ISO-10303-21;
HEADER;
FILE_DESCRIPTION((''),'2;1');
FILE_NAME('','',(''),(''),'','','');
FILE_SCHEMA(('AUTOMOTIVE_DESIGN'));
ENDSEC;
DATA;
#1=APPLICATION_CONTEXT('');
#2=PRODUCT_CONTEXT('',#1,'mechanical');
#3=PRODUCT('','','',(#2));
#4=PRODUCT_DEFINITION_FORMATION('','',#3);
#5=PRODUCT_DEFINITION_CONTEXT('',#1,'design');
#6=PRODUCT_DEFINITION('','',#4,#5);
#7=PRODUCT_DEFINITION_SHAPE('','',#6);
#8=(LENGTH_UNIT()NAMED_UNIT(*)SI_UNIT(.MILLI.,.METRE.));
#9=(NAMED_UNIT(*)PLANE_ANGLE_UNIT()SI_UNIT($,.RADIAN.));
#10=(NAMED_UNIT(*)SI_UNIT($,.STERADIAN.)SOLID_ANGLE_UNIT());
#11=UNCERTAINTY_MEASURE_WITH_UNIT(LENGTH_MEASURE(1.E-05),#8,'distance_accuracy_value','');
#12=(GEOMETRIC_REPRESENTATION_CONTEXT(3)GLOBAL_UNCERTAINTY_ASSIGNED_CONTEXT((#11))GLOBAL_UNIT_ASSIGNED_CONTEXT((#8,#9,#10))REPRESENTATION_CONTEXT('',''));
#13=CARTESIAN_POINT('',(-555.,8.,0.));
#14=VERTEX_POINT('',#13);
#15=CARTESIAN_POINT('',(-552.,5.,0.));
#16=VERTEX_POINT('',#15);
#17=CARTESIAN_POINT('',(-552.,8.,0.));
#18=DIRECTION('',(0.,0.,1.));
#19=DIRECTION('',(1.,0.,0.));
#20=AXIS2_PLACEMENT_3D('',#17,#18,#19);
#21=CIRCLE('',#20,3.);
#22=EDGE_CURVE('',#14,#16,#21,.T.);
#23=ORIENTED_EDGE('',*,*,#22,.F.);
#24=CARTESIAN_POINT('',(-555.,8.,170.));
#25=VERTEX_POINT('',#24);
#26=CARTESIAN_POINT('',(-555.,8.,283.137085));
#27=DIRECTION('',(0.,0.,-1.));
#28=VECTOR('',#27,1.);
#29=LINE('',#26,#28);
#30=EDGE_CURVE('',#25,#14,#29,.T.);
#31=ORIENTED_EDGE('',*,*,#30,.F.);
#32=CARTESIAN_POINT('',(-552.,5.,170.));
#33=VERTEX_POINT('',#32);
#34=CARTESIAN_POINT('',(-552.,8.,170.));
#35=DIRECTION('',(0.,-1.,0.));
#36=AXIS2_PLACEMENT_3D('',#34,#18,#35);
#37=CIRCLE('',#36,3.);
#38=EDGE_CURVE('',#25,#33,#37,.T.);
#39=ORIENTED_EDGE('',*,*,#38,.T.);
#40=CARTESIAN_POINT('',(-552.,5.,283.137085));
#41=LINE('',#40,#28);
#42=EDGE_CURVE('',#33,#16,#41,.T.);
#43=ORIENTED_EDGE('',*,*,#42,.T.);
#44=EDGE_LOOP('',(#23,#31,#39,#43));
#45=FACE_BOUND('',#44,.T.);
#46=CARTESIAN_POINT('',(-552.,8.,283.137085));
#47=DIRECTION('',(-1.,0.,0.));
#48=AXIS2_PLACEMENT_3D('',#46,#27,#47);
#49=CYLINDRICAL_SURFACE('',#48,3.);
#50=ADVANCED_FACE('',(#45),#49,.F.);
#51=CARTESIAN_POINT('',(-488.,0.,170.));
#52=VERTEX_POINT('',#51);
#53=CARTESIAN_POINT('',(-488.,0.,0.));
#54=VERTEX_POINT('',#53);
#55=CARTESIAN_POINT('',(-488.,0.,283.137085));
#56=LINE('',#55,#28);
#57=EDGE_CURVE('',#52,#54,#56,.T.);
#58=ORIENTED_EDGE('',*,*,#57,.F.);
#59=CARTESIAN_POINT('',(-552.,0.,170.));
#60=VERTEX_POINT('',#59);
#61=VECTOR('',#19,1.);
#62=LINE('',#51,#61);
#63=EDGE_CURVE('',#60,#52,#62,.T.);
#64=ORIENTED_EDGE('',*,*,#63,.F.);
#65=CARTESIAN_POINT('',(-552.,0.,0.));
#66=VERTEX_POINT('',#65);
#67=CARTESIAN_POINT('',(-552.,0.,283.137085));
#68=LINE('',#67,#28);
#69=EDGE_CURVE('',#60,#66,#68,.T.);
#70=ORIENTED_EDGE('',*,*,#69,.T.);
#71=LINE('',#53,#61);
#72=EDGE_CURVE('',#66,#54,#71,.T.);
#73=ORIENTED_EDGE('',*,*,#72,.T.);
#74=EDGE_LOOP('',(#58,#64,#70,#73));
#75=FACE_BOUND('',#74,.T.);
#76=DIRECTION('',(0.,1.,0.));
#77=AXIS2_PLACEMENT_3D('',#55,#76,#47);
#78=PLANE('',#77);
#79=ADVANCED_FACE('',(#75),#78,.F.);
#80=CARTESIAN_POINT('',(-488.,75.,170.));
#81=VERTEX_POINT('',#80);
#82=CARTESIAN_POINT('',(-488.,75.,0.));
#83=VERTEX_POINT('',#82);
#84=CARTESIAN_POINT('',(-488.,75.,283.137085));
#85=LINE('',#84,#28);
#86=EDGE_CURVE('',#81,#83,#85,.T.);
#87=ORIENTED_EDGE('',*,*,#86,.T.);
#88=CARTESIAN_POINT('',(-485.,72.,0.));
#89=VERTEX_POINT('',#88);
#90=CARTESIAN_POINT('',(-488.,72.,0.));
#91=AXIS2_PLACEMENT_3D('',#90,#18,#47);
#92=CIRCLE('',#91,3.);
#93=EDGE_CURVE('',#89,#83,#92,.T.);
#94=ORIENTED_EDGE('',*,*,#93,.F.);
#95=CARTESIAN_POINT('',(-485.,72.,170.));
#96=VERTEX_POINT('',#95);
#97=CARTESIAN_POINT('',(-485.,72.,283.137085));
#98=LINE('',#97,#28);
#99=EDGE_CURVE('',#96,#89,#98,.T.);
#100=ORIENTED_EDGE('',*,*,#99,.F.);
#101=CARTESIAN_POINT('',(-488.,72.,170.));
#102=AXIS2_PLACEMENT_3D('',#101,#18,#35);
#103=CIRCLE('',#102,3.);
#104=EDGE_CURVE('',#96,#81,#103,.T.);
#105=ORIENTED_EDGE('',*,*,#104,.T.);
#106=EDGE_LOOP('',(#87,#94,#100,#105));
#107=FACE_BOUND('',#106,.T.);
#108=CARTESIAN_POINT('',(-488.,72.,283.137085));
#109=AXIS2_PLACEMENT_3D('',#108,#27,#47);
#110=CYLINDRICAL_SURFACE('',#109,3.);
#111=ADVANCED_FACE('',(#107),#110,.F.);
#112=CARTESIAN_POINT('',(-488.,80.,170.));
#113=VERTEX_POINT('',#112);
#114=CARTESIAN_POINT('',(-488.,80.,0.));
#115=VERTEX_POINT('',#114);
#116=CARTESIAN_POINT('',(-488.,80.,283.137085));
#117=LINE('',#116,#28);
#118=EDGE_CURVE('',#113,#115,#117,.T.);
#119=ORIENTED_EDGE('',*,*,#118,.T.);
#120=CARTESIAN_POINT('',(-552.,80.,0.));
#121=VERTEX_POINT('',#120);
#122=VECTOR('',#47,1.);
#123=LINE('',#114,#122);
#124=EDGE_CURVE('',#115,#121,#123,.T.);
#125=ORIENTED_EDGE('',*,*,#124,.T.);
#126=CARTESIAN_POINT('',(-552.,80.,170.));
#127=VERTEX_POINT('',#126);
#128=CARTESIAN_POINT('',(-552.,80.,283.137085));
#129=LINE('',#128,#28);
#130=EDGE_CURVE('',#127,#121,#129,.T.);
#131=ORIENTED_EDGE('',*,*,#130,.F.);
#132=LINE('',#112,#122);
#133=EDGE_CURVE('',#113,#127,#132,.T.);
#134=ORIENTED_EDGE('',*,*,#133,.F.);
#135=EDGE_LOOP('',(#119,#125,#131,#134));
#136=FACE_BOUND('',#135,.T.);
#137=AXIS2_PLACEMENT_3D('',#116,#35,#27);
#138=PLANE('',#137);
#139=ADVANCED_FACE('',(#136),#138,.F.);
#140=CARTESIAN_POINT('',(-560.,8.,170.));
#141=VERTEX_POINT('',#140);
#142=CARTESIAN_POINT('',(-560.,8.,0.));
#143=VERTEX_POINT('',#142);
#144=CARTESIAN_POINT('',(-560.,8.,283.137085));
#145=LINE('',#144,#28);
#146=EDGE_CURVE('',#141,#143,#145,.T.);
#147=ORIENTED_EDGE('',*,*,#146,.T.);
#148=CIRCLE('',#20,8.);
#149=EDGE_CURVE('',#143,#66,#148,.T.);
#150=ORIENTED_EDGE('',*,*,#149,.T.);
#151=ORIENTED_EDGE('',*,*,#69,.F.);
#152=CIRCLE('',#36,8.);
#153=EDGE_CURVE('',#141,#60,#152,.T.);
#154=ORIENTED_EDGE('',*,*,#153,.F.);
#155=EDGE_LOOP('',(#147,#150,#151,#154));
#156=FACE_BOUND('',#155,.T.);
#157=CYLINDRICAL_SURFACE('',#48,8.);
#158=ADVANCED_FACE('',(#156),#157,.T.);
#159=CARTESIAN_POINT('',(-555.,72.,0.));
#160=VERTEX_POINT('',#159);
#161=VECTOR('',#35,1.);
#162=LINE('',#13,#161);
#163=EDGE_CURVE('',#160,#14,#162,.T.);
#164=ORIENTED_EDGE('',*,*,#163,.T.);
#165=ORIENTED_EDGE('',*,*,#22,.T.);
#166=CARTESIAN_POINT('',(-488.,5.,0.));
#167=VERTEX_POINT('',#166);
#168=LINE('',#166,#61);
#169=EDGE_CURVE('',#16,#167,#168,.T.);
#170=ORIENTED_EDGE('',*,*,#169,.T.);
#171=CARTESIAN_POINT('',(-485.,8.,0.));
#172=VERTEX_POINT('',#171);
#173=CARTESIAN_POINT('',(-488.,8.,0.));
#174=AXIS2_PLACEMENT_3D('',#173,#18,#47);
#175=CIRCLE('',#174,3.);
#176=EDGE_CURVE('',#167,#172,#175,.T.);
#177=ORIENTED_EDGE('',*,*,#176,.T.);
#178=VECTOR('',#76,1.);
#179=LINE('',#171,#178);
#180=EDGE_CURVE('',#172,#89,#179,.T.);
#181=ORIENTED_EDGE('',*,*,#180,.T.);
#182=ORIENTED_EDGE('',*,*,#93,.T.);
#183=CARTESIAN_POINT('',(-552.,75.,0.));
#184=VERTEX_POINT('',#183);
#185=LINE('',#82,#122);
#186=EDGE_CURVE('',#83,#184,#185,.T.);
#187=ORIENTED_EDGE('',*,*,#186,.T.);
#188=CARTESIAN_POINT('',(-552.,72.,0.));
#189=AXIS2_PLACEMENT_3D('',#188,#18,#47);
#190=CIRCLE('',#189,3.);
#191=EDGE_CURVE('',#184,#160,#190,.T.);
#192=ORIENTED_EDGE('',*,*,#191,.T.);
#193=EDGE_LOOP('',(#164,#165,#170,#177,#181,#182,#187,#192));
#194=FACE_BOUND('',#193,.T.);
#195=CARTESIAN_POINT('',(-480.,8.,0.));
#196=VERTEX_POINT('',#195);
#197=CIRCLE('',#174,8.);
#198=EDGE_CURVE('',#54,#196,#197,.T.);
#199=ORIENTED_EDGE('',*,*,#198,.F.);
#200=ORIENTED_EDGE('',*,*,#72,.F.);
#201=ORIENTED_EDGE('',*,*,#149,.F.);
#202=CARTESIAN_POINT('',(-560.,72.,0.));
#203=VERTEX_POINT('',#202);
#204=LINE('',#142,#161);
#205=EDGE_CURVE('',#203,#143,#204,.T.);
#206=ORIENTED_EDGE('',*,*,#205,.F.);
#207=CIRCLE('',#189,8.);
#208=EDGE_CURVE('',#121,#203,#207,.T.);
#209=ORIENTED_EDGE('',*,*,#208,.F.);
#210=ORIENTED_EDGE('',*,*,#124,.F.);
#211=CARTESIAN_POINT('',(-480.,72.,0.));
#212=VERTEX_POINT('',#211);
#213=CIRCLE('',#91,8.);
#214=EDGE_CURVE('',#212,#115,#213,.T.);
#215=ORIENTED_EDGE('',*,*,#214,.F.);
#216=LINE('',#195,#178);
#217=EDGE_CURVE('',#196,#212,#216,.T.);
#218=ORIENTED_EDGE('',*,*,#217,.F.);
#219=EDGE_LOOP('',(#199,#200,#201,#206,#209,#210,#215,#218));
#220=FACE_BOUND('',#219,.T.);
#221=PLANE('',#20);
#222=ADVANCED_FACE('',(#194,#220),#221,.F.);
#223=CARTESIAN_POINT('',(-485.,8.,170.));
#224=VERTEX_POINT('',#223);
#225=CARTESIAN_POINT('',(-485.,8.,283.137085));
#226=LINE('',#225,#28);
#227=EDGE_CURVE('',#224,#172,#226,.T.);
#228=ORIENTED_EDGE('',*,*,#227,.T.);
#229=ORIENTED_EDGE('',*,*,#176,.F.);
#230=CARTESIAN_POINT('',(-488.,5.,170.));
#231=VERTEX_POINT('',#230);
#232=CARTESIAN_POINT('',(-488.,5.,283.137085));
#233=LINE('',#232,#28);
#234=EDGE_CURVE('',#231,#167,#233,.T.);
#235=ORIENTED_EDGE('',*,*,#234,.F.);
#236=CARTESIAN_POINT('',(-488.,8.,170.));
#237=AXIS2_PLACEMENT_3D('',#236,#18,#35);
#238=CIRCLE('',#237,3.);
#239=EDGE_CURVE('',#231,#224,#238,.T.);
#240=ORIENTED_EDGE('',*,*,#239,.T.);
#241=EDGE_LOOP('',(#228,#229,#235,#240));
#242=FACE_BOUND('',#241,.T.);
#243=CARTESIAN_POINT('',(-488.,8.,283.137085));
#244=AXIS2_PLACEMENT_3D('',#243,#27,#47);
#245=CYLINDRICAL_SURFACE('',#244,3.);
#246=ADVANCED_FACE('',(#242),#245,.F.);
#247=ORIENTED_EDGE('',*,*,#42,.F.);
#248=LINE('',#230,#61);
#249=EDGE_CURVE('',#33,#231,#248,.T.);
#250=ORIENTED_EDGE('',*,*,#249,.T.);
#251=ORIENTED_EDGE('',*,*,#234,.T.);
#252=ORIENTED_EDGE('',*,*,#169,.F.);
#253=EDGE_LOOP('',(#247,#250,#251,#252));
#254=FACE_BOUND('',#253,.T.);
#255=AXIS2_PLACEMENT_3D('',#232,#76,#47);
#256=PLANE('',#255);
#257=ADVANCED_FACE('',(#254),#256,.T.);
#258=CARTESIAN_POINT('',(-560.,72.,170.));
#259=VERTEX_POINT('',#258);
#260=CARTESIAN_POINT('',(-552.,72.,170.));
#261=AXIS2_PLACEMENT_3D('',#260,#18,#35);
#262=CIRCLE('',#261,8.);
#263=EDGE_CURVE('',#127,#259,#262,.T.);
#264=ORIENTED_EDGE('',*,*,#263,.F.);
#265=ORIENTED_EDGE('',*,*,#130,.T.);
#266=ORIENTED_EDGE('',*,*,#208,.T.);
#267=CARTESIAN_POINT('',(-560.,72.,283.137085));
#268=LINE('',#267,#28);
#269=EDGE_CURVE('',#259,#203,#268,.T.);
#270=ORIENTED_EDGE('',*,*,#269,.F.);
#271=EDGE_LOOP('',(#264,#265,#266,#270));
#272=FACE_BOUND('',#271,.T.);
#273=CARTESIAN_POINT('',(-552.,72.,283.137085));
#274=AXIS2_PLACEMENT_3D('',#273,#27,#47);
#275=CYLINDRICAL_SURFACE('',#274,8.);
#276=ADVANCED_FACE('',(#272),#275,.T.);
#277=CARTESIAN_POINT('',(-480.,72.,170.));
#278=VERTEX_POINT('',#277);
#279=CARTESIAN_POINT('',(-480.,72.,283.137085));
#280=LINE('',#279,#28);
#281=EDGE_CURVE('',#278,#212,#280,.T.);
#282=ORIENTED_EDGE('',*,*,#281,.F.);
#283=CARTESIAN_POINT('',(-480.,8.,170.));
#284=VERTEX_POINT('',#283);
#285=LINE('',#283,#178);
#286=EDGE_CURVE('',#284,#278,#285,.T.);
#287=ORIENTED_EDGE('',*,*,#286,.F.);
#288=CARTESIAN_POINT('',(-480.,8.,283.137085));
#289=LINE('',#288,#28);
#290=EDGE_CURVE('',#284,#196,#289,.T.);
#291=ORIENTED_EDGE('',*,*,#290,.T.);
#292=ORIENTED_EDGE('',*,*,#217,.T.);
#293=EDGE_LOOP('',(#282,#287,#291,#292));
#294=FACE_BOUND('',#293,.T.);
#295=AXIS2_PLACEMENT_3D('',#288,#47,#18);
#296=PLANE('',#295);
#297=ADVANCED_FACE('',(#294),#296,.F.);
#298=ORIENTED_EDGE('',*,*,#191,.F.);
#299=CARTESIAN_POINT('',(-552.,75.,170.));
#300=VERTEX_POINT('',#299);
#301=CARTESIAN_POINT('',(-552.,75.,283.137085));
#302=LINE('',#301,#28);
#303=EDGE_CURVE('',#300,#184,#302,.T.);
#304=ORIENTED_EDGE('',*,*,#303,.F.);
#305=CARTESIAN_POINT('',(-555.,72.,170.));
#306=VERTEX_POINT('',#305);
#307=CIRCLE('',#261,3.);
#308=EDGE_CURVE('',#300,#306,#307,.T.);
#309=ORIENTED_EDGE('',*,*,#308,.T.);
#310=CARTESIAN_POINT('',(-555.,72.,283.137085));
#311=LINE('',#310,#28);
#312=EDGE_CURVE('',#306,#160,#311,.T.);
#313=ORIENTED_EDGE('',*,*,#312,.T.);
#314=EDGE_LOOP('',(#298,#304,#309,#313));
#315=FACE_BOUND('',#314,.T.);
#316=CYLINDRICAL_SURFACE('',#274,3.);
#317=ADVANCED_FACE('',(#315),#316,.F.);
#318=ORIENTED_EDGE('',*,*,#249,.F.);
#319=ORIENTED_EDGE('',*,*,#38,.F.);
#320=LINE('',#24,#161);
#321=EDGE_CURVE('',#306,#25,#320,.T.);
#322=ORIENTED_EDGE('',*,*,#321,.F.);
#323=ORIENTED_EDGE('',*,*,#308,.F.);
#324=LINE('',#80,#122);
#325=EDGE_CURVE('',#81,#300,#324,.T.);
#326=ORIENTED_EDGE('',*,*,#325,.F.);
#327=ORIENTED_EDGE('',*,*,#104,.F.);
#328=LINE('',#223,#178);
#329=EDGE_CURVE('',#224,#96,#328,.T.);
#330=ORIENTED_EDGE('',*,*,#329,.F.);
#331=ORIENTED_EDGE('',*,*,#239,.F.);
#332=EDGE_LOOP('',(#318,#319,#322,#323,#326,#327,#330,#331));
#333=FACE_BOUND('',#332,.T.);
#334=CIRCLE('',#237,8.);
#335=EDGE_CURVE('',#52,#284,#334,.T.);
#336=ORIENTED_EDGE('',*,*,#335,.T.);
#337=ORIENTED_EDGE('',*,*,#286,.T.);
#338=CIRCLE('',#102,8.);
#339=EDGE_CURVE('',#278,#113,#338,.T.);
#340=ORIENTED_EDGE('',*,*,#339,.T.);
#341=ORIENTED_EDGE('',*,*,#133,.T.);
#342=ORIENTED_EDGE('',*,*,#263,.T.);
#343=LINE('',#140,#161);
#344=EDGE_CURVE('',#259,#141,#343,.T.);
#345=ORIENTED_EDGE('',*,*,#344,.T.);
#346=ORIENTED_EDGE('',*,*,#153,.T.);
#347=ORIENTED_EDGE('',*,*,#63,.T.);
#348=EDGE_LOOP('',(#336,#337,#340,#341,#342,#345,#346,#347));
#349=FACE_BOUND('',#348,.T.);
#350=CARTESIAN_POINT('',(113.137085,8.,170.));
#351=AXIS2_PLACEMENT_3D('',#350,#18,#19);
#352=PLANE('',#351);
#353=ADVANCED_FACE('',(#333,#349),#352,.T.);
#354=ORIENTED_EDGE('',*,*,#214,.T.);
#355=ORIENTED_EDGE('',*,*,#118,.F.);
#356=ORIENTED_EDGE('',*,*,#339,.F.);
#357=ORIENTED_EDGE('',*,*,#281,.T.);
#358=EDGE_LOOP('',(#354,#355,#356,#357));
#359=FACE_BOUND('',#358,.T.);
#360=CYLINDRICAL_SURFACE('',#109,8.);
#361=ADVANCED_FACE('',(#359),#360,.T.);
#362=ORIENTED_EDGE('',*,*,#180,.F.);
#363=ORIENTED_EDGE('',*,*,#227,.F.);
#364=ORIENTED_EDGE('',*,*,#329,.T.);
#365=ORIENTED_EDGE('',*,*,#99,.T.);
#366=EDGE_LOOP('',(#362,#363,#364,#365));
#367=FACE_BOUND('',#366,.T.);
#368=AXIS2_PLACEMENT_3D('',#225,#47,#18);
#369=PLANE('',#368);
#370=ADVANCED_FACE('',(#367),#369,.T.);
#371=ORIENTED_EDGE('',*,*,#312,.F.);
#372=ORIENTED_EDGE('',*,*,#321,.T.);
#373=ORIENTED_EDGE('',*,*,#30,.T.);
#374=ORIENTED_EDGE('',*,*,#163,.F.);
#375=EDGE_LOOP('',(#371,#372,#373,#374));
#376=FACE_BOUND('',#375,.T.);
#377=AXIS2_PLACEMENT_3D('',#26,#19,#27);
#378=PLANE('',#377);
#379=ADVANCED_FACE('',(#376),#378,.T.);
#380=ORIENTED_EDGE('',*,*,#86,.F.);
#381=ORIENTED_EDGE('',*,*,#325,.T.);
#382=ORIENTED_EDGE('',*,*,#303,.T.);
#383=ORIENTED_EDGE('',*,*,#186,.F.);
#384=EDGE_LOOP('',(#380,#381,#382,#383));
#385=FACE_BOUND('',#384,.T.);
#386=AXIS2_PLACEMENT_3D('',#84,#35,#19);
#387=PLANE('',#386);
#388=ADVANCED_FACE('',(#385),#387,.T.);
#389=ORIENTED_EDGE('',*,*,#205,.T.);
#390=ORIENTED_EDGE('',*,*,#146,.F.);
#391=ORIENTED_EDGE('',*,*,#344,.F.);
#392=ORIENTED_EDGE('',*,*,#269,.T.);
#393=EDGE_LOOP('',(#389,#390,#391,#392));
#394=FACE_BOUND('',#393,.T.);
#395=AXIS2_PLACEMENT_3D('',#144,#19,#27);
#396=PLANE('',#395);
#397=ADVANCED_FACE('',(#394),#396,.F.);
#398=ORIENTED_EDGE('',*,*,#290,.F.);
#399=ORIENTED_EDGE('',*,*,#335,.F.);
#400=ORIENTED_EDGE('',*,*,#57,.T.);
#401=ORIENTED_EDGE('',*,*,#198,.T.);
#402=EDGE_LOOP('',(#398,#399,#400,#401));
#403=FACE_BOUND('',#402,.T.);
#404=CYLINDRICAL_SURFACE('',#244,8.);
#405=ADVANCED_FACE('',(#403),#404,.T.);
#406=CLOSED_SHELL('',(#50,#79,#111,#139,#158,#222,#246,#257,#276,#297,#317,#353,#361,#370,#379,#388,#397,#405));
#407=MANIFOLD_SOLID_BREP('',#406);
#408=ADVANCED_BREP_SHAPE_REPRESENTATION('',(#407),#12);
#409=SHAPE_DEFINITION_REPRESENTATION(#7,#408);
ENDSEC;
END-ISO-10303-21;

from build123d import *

# Parameters (mm, degrees)
DODANIE_WYCI_GNI_CIE1_DEPTH = 170


with BuildPart() as part:
    # Szkic1 → Dodanie-wyciągnięcie1 (new body)
    with BuildSketch(Plane.XY):
        with BuildLine():
            Line((-488, 0), (-552, 0))
            ThreePointArc((-552, 0), (-557.656854249, 2.343145751), (-560, 8))
            Line((-560, 8), (-560, 72))
            ThreePointArc((-560, 72), (-557.656854249, 77.656854249), (-552, 80))
            Line((-552, 80), (-488, 80))
            ThreePointArc((-488, 80), (-482.343145751, 77.656854249), (-480, 72))
            Line((-480, 72), (-480, 8))
            ThreePointArc((-480, 8), (-482.343145751, 2.343145751), (-488, 0))
        make_face()
        with BuildLine():
            Line((-488, 5), (-552, 5))
            ThreePointArc((-552, 5), (-554.121320344, 5.878679656), (-555, 8))
            Line((-555, 8), (-555, 72))
            ThreePointArc((-555, 72), (-554.121320344, 74.121320344), (-552, 75))
            Line((-552, 75), (-488, 75))
            ThreePointArc((-488, 75), (-485.878679656, 74.121320344), (-485, 72))
            Line((-485, 72), (-485, 8))
            ThreePointArc((-485, 8), (-485.878679656, 5.878679656), (-488, 5))
        make_face(mode=Mode.SUBTRACT)
    extrude(amount=DODANIE_WYCI_GNI_CIE1_DEPTH)


solid = part.part
